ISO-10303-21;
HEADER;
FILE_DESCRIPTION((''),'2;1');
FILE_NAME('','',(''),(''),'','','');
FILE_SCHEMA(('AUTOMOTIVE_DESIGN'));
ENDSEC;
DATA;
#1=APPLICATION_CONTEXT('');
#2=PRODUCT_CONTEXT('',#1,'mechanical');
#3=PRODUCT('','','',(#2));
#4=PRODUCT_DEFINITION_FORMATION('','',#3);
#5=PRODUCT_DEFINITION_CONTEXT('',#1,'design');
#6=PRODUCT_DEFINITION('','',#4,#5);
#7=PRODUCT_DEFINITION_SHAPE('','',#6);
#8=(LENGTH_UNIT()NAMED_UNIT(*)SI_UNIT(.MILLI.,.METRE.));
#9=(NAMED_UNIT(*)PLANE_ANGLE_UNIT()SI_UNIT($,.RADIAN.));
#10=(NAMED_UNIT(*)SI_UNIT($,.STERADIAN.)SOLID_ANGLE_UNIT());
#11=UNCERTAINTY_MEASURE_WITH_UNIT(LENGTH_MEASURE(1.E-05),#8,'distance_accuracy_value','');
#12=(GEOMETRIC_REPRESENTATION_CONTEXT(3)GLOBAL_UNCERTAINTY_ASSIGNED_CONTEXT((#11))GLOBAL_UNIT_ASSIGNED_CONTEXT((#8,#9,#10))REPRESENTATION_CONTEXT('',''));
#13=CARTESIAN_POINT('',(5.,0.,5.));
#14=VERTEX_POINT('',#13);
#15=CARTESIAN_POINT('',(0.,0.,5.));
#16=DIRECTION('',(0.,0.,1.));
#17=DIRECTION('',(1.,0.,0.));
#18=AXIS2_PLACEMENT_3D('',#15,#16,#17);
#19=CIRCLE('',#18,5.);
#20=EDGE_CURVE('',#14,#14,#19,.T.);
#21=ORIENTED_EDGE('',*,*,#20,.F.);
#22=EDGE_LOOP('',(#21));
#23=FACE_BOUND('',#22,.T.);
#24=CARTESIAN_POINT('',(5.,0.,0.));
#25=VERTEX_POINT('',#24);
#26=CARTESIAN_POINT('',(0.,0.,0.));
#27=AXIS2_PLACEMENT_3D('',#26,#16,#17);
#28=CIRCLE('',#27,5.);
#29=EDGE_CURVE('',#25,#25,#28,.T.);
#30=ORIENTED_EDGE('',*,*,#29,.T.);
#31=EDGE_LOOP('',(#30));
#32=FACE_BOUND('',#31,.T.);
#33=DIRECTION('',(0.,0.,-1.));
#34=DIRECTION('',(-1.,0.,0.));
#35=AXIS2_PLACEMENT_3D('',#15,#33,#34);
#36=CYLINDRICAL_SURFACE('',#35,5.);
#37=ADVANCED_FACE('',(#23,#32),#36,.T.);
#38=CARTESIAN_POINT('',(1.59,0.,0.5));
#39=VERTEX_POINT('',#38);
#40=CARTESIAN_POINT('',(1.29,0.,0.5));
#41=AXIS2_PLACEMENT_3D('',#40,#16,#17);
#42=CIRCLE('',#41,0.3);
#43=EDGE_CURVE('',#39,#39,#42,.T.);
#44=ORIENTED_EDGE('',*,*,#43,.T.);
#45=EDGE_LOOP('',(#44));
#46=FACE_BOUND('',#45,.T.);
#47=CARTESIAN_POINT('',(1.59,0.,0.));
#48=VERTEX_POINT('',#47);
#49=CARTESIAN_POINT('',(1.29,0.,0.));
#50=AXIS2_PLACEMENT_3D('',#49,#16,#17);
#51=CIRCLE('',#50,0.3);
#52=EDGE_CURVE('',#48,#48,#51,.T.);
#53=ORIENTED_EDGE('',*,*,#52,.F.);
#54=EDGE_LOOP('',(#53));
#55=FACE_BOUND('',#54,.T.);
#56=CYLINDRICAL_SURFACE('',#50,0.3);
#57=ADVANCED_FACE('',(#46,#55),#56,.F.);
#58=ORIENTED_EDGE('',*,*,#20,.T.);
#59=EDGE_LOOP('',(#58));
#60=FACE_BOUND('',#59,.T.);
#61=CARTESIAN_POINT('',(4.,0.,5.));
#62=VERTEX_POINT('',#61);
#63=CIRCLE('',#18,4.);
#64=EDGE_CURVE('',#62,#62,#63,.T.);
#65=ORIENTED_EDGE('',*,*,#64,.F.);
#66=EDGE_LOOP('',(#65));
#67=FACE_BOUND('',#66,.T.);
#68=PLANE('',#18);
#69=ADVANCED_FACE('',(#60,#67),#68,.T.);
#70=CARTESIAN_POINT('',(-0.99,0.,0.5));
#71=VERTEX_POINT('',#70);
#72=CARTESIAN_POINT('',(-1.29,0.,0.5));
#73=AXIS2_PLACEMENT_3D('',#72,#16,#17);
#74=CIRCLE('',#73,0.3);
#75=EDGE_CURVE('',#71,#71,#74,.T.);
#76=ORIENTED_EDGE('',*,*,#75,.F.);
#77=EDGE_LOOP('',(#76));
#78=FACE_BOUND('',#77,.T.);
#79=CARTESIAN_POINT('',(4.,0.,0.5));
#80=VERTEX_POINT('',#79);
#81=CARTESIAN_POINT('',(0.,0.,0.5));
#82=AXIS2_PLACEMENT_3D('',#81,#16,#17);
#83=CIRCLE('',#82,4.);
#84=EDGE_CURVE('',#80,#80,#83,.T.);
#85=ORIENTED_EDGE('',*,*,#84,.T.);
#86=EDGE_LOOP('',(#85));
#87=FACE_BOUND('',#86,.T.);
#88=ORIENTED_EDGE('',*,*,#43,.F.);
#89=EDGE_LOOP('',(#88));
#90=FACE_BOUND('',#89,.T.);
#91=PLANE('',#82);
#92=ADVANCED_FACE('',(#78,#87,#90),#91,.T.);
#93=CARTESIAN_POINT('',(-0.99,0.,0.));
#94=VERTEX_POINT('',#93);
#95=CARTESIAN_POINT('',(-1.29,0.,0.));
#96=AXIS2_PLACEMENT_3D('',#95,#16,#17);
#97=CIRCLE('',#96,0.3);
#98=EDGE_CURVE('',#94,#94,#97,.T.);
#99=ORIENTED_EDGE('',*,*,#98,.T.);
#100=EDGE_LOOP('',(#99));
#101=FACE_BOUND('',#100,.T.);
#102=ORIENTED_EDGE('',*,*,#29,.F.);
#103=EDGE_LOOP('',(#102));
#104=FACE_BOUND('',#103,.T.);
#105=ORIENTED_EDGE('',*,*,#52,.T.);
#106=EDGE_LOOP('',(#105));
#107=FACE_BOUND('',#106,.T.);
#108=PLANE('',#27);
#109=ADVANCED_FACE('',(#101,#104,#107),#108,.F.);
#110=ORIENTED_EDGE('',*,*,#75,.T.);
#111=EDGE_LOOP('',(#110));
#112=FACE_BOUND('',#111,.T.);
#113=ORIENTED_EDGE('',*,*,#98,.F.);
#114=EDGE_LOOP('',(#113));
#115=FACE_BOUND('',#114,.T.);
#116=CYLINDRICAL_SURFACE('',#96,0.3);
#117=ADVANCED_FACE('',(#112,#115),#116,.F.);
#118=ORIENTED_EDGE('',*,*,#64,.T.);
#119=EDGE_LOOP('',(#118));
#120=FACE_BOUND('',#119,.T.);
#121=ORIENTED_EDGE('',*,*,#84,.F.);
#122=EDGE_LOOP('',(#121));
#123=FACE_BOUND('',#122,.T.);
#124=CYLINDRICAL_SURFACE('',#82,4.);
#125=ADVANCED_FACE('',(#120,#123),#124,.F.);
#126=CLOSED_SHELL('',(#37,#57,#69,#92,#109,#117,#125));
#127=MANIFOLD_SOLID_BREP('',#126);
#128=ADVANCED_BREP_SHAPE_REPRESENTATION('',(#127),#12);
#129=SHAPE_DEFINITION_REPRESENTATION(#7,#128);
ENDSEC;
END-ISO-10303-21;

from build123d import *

# Parameters (mm, degrees)
SKETCH1_R           = 5
BOSS_EXTRUDE1_DEPTH = 5
SKETCH3_R           = 4
CUT_EXTRUDE1_DEPTH  = 4.5
SKETCH4_R           = 0.3
CUT_EXTRUDE2_DEPTH  = 9.381527307


with BuildPart() as part:
    # Sketch1 → Boss-Extrude1 (new body)
    with BuildSketch(Plane.XY):
        Circle(SKETCH1_R)
    extrude(amount=BOSS_EXTRUDE1_DEPTH)

    # Sketch3 → Cut-Extrude1 (cut)
    with BuildSketch(Plane.XY.offset(5)):
        Circle(SKETCH3_R)
    extrude(amount=-CUT_EXTRUDE1_DEPTH, mode=Mode.SUBTRACT)

    # Sketch4 → Cut-Extrude2 (cut, through all)
    with BuildSketch(Plane.XY.offset(0.5)):
        with Locations((1.29, 0)):
            Circle(SKETCH4_R)
        with Locations((-1.29, 0)):
            Circle(SKETCH4_R)
    extrude(amount=-CUT_EXTRUDE2_DEPTH, mode=Mode.SUBTRACT)


solid = part.part
